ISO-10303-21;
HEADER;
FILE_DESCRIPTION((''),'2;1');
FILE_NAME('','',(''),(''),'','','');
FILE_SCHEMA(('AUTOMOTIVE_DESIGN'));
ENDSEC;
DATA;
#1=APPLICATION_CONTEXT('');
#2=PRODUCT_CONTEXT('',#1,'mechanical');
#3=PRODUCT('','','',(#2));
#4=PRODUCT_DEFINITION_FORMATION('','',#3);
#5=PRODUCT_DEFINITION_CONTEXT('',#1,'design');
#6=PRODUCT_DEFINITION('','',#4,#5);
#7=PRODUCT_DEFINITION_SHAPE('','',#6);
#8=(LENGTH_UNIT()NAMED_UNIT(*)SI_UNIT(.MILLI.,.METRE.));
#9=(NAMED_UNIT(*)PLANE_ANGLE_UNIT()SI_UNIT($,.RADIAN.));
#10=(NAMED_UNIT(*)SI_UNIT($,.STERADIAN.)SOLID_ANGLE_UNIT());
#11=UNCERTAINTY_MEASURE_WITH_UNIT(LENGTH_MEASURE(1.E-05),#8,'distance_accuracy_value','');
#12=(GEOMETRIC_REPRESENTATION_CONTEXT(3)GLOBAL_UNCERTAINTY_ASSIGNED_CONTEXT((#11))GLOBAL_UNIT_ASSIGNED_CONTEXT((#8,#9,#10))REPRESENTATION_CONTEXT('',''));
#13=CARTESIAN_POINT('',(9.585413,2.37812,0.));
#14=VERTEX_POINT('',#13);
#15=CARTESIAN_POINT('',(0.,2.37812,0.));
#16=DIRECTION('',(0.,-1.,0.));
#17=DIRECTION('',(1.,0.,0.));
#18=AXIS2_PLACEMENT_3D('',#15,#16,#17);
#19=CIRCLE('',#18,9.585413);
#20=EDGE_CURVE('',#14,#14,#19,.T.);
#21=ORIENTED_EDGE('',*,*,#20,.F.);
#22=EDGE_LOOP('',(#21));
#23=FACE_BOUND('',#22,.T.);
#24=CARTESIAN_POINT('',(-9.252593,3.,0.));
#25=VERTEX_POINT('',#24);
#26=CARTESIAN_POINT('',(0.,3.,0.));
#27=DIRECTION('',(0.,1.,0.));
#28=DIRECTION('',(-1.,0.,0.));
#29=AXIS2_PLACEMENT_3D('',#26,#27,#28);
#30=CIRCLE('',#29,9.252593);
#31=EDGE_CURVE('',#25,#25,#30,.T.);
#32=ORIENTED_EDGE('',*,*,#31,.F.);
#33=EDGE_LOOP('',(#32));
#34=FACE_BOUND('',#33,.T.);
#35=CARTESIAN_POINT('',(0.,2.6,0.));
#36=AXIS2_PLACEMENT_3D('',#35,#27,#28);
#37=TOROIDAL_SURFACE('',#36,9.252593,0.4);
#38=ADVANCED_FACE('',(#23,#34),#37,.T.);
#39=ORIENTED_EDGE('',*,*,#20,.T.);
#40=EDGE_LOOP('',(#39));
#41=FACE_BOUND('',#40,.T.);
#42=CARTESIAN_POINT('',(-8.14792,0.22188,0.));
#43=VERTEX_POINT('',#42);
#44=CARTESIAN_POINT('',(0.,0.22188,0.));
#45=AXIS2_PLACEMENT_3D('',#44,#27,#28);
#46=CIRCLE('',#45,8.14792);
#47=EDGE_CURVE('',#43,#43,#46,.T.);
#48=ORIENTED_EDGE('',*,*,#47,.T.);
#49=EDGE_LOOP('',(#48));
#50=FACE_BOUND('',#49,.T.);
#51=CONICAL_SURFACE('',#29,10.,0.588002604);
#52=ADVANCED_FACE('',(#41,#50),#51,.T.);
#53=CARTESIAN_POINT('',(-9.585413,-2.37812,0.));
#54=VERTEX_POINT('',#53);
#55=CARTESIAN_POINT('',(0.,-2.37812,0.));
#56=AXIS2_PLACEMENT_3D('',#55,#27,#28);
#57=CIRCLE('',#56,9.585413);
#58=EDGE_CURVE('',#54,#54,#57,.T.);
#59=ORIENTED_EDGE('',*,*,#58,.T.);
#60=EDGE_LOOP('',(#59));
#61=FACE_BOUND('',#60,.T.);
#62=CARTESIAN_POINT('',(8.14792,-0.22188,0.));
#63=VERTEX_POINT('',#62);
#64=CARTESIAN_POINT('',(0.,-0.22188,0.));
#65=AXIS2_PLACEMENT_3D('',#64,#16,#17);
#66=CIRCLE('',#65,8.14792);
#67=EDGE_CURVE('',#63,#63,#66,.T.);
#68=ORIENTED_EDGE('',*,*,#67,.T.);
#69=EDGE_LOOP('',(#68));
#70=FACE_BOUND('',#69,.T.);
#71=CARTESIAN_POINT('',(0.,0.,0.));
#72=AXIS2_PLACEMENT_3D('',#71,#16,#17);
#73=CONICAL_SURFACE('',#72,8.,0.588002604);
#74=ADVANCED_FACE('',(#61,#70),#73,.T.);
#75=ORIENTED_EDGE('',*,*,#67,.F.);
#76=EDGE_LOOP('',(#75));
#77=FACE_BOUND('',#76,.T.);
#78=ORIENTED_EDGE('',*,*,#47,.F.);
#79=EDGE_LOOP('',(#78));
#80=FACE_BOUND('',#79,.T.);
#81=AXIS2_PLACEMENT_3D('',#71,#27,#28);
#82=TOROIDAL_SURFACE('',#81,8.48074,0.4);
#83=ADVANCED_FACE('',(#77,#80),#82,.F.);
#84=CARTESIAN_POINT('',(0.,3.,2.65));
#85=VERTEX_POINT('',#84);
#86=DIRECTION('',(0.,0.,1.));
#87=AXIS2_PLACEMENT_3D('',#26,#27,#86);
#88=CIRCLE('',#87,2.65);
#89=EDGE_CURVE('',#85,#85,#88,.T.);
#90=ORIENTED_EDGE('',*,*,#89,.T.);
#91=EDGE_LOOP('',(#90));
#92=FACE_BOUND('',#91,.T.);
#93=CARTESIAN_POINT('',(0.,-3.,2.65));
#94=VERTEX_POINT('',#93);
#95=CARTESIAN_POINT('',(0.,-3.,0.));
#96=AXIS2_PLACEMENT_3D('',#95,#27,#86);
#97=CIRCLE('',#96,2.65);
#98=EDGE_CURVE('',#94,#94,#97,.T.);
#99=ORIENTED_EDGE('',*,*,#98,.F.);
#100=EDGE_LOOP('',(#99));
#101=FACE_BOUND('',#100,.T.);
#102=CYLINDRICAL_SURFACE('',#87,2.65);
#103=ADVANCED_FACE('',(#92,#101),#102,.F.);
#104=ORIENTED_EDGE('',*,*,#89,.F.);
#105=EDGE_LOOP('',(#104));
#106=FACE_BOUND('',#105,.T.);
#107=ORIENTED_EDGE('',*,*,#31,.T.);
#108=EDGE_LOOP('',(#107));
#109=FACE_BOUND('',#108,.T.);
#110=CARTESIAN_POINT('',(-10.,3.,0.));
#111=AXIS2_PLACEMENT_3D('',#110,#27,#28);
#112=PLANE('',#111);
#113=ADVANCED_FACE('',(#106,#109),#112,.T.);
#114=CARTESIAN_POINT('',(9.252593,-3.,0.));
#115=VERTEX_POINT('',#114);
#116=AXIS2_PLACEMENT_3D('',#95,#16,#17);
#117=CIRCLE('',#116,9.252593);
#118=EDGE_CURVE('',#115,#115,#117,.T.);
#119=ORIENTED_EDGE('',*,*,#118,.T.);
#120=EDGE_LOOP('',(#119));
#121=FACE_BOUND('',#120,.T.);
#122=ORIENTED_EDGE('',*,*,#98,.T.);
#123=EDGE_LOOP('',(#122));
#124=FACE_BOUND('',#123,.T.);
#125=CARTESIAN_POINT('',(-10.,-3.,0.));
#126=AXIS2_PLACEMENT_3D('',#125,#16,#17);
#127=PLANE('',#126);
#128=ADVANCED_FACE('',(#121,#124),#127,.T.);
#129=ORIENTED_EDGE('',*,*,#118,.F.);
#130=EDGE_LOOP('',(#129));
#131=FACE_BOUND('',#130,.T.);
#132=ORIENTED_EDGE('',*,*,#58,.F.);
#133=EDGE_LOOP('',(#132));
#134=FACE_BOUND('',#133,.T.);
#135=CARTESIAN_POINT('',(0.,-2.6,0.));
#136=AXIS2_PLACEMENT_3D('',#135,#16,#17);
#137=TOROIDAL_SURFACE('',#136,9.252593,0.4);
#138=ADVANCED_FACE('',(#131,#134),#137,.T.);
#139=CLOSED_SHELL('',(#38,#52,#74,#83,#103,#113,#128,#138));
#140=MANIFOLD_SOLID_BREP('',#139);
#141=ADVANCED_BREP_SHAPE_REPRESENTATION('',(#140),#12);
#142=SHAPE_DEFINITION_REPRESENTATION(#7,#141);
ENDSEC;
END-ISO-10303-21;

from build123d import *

# Parameters (mm, degrees)
CONG_1_R         = 0.4
D_GAGEMENT_M51_D = 5.3


with BuildPart() as part:
    # Esquisse2 → Révolution1 (revolve)
    with BuildSketch(Plane.XY):
        Polygon((-10, 3), (-8, 0), (-10, -3), (0, -3), (0, 3), align=None)
    revolve(axis=Axis((0, 3, 0), (0, -1, 0)))

    # Congé1
    cong_1_edges = [part.edges().sort_by_distance(p)[0] for p in [
        (10, 3, 0),
        (8, 0, 0),
        (10, -3, 0),
    ]]
    fillet(cong_1_edges, radius=CONG_1_R)

    # Dégagement M51 (through all)
    with Locations(Plane(origin=(0, 3, 0), x_dir=(1, 0, 0), z_dir=(0, 1, 0))):
        with Locations((0, 0)):
            Hole(D_GAGEMENT_M51_D / 2)


solid = part.part
